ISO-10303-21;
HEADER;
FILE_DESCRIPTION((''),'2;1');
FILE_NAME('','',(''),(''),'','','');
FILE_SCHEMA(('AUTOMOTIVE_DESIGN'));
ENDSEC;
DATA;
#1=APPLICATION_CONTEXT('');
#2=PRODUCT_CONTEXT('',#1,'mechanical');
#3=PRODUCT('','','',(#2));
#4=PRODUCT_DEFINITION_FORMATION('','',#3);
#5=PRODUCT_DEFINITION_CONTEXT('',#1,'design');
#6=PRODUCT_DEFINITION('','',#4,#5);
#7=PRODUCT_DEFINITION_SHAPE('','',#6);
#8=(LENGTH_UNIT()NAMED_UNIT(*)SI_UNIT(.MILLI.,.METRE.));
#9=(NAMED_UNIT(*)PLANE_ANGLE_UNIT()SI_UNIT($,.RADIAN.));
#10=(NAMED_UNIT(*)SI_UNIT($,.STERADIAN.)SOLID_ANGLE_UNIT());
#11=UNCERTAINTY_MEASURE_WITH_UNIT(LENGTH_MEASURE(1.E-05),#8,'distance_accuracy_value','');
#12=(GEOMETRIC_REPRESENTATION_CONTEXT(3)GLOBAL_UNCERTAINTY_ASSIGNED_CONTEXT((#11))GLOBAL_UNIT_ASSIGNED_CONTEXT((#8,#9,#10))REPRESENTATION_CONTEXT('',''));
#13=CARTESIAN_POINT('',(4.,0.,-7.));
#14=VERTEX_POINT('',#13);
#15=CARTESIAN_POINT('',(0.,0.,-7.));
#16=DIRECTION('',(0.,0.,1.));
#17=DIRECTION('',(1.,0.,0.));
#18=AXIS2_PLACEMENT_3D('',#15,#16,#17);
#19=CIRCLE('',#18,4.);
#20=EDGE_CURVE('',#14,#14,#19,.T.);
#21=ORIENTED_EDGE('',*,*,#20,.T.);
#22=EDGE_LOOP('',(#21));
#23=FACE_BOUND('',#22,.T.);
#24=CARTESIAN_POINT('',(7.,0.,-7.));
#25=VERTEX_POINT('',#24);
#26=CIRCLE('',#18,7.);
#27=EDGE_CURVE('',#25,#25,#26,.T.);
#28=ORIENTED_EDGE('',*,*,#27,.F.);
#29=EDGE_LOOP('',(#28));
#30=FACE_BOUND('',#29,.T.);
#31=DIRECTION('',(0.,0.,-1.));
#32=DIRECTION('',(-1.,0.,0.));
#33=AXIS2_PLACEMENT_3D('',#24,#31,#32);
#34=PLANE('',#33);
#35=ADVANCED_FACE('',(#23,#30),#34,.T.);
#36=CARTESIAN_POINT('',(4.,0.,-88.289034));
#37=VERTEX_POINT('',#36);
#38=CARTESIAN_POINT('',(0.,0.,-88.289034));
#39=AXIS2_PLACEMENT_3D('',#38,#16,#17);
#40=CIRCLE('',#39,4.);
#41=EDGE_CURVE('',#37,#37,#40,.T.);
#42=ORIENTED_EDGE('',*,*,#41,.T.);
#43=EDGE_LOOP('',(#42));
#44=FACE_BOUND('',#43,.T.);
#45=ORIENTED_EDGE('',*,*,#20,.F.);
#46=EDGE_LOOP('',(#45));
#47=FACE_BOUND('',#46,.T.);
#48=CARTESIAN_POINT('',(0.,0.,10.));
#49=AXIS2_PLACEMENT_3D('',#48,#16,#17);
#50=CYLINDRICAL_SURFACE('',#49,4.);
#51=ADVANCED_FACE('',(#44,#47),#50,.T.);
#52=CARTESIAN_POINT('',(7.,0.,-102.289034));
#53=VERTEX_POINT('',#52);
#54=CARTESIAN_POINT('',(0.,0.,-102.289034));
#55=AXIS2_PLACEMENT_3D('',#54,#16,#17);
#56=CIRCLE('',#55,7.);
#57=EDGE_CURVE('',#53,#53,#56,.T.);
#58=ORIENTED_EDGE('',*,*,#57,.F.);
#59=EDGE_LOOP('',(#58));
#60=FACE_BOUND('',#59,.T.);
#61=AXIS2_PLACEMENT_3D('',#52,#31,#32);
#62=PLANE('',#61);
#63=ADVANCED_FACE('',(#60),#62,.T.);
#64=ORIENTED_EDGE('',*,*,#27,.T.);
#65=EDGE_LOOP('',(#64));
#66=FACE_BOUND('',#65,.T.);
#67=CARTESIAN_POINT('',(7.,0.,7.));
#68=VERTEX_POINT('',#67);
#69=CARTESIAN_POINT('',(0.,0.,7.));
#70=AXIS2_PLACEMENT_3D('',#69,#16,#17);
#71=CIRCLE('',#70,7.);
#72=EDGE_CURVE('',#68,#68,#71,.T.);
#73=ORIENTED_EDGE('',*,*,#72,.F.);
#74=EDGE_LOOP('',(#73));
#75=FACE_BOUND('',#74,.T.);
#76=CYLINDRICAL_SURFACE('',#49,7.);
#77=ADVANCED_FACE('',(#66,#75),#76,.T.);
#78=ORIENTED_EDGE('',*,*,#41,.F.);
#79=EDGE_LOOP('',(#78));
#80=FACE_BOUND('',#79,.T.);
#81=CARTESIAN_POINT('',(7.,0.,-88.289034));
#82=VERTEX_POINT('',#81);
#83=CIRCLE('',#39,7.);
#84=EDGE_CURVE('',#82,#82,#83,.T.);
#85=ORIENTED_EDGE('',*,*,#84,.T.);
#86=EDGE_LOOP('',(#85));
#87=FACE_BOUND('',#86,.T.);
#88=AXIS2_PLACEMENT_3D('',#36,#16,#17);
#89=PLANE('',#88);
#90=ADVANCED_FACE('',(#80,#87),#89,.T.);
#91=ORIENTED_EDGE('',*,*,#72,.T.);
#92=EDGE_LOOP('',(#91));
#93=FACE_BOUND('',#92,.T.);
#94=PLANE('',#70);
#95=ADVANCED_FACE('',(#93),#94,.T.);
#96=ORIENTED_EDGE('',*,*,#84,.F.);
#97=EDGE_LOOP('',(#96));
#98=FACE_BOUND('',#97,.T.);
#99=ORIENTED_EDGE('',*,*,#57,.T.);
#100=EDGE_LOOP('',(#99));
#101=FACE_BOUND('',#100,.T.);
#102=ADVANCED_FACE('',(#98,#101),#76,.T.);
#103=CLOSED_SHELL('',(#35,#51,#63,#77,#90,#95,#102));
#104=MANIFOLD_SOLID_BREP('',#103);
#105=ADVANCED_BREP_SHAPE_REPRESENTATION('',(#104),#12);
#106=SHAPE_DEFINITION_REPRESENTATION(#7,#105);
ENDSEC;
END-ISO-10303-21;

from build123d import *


with BuildPart() as part:
    # SK_Rod → Rod_Body (revolve)
    with BuildSketch(Plane(origin=(0, 0, 0), x_dir=(1, 0, 0), z_dir=(0, 1, 0))):
        Polygon((0, -7), (7, -7), (7, 7), (4, 7), (4, 88.289033997), (7, 88.289033997), (7, 102.289033997), (0, 102.289033997), align=None)
    revolve(axis=Axis((0, 0, 10), (0, 0, -1)))


solid = part.part
